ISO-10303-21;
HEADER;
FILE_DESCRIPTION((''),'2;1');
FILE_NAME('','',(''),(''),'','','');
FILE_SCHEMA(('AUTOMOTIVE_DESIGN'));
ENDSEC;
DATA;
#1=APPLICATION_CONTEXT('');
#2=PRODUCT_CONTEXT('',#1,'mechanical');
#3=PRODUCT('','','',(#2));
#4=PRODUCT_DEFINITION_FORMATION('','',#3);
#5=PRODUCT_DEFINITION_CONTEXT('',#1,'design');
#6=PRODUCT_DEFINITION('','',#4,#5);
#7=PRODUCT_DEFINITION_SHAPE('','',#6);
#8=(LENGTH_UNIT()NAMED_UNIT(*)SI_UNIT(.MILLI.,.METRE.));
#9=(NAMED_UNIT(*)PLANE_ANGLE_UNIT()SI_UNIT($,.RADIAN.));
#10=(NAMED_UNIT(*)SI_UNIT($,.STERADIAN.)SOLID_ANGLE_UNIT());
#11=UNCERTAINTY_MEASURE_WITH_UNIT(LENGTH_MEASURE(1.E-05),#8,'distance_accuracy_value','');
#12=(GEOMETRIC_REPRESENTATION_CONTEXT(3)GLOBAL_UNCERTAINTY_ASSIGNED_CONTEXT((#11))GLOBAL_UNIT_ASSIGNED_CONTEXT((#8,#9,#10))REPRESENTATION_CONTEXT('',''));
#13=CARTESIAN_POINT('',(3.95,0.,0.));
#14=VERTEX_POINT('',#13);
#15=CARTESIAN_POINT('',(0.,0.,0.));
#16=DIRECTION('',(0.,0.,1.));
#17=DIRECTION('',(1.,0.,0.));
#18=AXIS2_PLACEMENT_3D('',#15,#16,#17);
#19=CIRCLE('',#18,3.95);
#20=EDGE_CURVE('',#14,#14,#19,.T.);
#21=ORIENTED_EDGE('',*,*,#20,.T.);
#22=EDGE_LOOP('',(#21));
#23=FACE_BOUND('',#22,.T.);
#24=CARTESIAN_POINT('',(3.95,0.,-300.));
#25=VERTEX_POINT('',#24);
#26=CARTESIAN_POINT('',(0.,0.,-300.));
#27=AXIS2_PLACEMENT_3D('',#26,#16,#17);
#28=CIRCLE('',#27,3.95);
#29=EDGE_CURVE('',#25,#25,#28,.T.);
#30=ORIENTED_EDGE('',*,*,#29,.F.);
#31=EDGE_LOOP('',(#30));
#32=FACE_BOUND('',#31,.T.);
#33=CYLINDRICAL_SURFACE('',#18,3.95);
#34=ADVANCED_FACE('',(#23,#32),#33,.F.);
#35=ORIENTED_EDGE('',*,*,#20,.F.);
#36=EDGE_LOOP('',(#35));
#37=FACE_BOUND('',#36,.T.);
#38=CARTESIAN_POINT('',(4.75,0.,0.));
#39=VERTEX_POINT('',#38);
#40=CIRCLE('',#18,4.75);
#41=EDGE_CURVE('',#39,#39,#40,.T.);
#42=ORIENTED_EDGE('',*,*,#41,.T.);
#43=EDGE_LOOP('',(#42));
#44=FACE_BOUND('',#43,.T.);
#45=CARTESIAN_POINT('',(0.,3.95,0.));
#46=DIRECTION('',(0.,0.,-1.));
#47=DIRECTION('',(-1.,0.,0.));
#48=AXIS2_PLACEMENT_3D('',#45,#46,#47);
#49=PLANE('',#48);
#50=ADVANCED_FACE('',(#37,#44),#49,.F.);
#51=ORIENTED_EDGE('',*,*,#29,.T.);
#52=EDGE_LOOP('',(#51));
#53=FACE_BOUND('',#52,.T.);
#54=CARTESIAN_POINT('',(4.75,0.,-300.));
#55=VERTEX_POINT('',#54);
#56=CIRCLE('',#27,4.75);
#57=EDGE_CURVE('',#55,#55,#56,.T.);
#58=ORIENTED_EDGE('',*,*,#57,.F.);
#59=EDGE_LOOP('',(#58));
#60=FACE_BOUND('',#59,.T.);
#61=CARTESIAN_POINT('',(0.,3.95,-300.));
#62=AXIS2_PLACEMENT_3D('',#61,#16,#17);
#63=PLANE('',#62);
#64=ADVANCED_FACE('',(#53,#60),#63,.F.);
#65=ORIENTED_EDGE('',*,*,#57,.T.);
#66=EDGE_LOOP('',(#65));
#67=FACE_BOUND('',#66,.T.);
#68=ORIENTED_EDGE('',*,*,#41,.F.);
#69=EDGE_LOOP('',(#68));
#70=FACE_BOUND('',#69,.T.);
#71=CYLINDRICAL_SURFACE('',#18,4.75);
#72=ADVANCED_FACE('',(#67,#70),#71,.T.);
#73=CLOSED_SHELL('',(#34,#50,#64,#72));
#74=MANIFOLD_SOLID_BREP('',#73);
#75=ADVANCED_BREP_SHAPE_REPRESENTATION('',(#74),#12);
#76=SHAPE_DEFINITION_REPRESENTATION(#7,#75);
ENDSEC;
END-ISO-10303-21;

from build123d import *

# Parameters (mm, degrees)
SKETCH1_W = 300
SKETCH1_H = 0.8


with BuildPart() as part:
    # Sketch1 → Revolve1 (revolve)
    with BuildSketch(Plane(origin=(0, 0, 0), x_dir=(0, 0, -1), z_dir=(1, 0, 0)), mode=Mode.PRIVATE) as revolve1_sk:
        with Locations((150, 4.35)):
            Rectangle(SKETCH1_W, SKETCH1_H)
    revolve(revolve1_sk.sketch.rotate(Axis((0, 0, 0), (0, 0, -1)), 90), axis=Axis((0, 0, 0), (0, 0, -1)))


solid = part.part
